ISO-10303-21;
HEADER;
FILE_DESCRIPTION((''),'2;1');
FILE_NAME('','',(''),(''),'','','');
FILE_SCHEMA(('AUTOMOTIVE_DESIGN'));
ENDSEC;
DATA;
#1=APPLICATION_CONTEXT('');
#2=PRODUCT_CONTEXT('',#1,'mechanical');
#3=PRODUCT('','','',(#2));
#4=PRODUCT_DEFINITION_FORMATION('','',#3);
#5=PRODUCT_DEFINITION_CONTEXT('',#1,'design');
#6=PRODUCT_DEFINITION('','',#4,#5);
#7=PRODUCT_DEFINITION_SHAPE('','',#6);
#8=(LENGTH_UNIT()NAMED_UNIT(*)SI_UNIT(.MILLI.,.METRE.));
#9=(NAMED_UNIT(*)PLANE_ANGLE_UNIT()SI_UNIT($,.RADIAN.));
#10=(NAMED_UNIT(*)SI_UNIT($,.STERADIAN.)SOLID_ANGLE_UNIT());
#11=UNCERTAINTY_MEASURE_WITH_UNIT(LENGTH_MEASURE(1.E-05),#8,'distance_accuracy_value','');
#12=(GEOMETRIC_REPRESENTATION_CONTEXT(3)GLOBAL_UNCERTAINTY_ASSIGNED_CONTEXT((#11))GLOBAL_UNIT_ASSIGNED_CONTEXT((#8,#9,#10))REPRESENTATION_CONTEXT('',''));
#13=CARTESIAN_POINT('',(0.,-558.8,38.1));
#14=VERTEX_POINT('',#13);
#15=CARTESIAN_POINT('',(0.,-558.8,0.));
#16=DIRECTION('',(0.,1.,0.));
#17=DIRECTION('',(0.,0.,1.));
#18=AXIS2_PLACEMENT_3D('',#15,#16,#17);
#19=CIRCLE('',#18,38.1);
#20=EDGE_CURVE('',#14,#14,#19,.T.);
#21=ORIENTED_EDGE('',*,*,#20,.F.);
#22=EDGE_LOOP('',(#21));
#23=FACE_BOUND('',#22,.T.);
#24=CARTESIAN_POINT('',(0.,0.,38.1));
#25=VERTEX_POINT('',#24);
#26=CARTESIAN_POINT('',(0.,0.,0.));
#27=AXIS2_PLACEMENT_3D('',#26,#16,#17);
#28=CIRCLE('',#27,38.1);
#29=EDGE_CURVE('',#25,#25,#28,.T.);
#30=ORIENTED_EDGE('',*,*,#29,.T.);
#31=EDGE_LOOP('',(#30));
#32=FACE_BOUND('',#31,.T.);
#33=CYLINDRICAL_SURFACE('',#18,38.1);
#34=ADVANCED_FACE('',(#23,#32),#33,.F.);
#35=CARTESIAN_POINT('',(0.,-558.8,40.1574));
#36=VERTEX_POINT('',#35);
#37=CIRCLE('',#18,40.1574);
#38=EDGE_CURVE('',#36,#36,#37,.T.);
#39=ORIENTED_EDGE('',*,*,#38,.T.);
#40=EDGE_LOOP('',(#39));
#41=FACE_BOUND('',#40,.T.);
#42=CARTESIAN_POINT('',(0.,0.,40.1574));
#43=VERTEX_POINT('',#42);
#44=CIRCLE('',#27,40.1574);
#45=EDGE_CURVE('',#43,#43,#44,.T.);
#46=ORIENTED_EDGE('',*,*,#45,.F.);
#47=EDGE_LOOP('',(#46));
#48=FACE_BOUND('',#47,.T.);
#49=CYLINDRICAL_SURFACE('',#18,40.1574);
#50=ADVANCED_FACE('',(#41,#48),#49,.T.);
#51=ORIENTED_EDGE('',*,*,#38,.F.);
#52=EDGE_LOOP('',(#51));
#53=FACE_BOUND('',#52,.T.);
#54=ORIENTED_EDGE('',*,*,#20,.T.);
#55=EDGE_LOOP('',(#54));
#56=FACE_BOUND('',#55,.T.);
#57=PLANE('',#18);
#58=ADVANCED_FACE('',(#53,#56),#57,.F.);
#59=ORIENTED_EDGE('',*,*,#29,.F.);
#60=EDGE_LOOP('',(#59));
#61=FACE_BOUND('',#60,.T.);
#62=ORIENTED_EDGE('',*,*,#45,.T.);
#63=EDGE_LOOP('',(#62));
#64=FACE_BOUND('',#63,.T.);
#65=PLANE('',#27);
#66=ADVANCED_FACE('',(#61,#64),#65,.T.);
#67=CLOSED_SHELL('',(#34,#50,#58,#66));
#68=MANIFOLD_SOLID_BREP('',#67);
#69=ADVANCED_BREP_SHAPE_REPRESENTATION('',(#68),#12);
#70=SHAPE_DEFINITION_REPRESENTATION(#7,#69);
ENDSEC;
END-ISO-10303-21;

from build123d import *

# Parameters (mm, degrees)
SKETCH1_R           = 40.1574
SKETCH1_R_2         = 38.1
BOSS_EXTRUDE1_DEPTH = 558.8


with BuildPart() as part:
    # Sketch1 → Boss-Extrude1 (new body)
    with BuildSketch(Plane(origin=(0, 0, 0), x_dir=(1, 0, 0), z_dir=(0, 1, 0))):
        with Locations(Location((0, 0, 0), (0, 0, 270))):
            Circle(SKETCH1_R)
        with Locations(Location((0, 0, 0), (0, 0, 270))):
            Circle(SKETCH1_R_2, mode=Mode.SUBTRACT)
    extrude(amount=-BOSS_EXTRUDE1_DEPTH)


solid = part.part
